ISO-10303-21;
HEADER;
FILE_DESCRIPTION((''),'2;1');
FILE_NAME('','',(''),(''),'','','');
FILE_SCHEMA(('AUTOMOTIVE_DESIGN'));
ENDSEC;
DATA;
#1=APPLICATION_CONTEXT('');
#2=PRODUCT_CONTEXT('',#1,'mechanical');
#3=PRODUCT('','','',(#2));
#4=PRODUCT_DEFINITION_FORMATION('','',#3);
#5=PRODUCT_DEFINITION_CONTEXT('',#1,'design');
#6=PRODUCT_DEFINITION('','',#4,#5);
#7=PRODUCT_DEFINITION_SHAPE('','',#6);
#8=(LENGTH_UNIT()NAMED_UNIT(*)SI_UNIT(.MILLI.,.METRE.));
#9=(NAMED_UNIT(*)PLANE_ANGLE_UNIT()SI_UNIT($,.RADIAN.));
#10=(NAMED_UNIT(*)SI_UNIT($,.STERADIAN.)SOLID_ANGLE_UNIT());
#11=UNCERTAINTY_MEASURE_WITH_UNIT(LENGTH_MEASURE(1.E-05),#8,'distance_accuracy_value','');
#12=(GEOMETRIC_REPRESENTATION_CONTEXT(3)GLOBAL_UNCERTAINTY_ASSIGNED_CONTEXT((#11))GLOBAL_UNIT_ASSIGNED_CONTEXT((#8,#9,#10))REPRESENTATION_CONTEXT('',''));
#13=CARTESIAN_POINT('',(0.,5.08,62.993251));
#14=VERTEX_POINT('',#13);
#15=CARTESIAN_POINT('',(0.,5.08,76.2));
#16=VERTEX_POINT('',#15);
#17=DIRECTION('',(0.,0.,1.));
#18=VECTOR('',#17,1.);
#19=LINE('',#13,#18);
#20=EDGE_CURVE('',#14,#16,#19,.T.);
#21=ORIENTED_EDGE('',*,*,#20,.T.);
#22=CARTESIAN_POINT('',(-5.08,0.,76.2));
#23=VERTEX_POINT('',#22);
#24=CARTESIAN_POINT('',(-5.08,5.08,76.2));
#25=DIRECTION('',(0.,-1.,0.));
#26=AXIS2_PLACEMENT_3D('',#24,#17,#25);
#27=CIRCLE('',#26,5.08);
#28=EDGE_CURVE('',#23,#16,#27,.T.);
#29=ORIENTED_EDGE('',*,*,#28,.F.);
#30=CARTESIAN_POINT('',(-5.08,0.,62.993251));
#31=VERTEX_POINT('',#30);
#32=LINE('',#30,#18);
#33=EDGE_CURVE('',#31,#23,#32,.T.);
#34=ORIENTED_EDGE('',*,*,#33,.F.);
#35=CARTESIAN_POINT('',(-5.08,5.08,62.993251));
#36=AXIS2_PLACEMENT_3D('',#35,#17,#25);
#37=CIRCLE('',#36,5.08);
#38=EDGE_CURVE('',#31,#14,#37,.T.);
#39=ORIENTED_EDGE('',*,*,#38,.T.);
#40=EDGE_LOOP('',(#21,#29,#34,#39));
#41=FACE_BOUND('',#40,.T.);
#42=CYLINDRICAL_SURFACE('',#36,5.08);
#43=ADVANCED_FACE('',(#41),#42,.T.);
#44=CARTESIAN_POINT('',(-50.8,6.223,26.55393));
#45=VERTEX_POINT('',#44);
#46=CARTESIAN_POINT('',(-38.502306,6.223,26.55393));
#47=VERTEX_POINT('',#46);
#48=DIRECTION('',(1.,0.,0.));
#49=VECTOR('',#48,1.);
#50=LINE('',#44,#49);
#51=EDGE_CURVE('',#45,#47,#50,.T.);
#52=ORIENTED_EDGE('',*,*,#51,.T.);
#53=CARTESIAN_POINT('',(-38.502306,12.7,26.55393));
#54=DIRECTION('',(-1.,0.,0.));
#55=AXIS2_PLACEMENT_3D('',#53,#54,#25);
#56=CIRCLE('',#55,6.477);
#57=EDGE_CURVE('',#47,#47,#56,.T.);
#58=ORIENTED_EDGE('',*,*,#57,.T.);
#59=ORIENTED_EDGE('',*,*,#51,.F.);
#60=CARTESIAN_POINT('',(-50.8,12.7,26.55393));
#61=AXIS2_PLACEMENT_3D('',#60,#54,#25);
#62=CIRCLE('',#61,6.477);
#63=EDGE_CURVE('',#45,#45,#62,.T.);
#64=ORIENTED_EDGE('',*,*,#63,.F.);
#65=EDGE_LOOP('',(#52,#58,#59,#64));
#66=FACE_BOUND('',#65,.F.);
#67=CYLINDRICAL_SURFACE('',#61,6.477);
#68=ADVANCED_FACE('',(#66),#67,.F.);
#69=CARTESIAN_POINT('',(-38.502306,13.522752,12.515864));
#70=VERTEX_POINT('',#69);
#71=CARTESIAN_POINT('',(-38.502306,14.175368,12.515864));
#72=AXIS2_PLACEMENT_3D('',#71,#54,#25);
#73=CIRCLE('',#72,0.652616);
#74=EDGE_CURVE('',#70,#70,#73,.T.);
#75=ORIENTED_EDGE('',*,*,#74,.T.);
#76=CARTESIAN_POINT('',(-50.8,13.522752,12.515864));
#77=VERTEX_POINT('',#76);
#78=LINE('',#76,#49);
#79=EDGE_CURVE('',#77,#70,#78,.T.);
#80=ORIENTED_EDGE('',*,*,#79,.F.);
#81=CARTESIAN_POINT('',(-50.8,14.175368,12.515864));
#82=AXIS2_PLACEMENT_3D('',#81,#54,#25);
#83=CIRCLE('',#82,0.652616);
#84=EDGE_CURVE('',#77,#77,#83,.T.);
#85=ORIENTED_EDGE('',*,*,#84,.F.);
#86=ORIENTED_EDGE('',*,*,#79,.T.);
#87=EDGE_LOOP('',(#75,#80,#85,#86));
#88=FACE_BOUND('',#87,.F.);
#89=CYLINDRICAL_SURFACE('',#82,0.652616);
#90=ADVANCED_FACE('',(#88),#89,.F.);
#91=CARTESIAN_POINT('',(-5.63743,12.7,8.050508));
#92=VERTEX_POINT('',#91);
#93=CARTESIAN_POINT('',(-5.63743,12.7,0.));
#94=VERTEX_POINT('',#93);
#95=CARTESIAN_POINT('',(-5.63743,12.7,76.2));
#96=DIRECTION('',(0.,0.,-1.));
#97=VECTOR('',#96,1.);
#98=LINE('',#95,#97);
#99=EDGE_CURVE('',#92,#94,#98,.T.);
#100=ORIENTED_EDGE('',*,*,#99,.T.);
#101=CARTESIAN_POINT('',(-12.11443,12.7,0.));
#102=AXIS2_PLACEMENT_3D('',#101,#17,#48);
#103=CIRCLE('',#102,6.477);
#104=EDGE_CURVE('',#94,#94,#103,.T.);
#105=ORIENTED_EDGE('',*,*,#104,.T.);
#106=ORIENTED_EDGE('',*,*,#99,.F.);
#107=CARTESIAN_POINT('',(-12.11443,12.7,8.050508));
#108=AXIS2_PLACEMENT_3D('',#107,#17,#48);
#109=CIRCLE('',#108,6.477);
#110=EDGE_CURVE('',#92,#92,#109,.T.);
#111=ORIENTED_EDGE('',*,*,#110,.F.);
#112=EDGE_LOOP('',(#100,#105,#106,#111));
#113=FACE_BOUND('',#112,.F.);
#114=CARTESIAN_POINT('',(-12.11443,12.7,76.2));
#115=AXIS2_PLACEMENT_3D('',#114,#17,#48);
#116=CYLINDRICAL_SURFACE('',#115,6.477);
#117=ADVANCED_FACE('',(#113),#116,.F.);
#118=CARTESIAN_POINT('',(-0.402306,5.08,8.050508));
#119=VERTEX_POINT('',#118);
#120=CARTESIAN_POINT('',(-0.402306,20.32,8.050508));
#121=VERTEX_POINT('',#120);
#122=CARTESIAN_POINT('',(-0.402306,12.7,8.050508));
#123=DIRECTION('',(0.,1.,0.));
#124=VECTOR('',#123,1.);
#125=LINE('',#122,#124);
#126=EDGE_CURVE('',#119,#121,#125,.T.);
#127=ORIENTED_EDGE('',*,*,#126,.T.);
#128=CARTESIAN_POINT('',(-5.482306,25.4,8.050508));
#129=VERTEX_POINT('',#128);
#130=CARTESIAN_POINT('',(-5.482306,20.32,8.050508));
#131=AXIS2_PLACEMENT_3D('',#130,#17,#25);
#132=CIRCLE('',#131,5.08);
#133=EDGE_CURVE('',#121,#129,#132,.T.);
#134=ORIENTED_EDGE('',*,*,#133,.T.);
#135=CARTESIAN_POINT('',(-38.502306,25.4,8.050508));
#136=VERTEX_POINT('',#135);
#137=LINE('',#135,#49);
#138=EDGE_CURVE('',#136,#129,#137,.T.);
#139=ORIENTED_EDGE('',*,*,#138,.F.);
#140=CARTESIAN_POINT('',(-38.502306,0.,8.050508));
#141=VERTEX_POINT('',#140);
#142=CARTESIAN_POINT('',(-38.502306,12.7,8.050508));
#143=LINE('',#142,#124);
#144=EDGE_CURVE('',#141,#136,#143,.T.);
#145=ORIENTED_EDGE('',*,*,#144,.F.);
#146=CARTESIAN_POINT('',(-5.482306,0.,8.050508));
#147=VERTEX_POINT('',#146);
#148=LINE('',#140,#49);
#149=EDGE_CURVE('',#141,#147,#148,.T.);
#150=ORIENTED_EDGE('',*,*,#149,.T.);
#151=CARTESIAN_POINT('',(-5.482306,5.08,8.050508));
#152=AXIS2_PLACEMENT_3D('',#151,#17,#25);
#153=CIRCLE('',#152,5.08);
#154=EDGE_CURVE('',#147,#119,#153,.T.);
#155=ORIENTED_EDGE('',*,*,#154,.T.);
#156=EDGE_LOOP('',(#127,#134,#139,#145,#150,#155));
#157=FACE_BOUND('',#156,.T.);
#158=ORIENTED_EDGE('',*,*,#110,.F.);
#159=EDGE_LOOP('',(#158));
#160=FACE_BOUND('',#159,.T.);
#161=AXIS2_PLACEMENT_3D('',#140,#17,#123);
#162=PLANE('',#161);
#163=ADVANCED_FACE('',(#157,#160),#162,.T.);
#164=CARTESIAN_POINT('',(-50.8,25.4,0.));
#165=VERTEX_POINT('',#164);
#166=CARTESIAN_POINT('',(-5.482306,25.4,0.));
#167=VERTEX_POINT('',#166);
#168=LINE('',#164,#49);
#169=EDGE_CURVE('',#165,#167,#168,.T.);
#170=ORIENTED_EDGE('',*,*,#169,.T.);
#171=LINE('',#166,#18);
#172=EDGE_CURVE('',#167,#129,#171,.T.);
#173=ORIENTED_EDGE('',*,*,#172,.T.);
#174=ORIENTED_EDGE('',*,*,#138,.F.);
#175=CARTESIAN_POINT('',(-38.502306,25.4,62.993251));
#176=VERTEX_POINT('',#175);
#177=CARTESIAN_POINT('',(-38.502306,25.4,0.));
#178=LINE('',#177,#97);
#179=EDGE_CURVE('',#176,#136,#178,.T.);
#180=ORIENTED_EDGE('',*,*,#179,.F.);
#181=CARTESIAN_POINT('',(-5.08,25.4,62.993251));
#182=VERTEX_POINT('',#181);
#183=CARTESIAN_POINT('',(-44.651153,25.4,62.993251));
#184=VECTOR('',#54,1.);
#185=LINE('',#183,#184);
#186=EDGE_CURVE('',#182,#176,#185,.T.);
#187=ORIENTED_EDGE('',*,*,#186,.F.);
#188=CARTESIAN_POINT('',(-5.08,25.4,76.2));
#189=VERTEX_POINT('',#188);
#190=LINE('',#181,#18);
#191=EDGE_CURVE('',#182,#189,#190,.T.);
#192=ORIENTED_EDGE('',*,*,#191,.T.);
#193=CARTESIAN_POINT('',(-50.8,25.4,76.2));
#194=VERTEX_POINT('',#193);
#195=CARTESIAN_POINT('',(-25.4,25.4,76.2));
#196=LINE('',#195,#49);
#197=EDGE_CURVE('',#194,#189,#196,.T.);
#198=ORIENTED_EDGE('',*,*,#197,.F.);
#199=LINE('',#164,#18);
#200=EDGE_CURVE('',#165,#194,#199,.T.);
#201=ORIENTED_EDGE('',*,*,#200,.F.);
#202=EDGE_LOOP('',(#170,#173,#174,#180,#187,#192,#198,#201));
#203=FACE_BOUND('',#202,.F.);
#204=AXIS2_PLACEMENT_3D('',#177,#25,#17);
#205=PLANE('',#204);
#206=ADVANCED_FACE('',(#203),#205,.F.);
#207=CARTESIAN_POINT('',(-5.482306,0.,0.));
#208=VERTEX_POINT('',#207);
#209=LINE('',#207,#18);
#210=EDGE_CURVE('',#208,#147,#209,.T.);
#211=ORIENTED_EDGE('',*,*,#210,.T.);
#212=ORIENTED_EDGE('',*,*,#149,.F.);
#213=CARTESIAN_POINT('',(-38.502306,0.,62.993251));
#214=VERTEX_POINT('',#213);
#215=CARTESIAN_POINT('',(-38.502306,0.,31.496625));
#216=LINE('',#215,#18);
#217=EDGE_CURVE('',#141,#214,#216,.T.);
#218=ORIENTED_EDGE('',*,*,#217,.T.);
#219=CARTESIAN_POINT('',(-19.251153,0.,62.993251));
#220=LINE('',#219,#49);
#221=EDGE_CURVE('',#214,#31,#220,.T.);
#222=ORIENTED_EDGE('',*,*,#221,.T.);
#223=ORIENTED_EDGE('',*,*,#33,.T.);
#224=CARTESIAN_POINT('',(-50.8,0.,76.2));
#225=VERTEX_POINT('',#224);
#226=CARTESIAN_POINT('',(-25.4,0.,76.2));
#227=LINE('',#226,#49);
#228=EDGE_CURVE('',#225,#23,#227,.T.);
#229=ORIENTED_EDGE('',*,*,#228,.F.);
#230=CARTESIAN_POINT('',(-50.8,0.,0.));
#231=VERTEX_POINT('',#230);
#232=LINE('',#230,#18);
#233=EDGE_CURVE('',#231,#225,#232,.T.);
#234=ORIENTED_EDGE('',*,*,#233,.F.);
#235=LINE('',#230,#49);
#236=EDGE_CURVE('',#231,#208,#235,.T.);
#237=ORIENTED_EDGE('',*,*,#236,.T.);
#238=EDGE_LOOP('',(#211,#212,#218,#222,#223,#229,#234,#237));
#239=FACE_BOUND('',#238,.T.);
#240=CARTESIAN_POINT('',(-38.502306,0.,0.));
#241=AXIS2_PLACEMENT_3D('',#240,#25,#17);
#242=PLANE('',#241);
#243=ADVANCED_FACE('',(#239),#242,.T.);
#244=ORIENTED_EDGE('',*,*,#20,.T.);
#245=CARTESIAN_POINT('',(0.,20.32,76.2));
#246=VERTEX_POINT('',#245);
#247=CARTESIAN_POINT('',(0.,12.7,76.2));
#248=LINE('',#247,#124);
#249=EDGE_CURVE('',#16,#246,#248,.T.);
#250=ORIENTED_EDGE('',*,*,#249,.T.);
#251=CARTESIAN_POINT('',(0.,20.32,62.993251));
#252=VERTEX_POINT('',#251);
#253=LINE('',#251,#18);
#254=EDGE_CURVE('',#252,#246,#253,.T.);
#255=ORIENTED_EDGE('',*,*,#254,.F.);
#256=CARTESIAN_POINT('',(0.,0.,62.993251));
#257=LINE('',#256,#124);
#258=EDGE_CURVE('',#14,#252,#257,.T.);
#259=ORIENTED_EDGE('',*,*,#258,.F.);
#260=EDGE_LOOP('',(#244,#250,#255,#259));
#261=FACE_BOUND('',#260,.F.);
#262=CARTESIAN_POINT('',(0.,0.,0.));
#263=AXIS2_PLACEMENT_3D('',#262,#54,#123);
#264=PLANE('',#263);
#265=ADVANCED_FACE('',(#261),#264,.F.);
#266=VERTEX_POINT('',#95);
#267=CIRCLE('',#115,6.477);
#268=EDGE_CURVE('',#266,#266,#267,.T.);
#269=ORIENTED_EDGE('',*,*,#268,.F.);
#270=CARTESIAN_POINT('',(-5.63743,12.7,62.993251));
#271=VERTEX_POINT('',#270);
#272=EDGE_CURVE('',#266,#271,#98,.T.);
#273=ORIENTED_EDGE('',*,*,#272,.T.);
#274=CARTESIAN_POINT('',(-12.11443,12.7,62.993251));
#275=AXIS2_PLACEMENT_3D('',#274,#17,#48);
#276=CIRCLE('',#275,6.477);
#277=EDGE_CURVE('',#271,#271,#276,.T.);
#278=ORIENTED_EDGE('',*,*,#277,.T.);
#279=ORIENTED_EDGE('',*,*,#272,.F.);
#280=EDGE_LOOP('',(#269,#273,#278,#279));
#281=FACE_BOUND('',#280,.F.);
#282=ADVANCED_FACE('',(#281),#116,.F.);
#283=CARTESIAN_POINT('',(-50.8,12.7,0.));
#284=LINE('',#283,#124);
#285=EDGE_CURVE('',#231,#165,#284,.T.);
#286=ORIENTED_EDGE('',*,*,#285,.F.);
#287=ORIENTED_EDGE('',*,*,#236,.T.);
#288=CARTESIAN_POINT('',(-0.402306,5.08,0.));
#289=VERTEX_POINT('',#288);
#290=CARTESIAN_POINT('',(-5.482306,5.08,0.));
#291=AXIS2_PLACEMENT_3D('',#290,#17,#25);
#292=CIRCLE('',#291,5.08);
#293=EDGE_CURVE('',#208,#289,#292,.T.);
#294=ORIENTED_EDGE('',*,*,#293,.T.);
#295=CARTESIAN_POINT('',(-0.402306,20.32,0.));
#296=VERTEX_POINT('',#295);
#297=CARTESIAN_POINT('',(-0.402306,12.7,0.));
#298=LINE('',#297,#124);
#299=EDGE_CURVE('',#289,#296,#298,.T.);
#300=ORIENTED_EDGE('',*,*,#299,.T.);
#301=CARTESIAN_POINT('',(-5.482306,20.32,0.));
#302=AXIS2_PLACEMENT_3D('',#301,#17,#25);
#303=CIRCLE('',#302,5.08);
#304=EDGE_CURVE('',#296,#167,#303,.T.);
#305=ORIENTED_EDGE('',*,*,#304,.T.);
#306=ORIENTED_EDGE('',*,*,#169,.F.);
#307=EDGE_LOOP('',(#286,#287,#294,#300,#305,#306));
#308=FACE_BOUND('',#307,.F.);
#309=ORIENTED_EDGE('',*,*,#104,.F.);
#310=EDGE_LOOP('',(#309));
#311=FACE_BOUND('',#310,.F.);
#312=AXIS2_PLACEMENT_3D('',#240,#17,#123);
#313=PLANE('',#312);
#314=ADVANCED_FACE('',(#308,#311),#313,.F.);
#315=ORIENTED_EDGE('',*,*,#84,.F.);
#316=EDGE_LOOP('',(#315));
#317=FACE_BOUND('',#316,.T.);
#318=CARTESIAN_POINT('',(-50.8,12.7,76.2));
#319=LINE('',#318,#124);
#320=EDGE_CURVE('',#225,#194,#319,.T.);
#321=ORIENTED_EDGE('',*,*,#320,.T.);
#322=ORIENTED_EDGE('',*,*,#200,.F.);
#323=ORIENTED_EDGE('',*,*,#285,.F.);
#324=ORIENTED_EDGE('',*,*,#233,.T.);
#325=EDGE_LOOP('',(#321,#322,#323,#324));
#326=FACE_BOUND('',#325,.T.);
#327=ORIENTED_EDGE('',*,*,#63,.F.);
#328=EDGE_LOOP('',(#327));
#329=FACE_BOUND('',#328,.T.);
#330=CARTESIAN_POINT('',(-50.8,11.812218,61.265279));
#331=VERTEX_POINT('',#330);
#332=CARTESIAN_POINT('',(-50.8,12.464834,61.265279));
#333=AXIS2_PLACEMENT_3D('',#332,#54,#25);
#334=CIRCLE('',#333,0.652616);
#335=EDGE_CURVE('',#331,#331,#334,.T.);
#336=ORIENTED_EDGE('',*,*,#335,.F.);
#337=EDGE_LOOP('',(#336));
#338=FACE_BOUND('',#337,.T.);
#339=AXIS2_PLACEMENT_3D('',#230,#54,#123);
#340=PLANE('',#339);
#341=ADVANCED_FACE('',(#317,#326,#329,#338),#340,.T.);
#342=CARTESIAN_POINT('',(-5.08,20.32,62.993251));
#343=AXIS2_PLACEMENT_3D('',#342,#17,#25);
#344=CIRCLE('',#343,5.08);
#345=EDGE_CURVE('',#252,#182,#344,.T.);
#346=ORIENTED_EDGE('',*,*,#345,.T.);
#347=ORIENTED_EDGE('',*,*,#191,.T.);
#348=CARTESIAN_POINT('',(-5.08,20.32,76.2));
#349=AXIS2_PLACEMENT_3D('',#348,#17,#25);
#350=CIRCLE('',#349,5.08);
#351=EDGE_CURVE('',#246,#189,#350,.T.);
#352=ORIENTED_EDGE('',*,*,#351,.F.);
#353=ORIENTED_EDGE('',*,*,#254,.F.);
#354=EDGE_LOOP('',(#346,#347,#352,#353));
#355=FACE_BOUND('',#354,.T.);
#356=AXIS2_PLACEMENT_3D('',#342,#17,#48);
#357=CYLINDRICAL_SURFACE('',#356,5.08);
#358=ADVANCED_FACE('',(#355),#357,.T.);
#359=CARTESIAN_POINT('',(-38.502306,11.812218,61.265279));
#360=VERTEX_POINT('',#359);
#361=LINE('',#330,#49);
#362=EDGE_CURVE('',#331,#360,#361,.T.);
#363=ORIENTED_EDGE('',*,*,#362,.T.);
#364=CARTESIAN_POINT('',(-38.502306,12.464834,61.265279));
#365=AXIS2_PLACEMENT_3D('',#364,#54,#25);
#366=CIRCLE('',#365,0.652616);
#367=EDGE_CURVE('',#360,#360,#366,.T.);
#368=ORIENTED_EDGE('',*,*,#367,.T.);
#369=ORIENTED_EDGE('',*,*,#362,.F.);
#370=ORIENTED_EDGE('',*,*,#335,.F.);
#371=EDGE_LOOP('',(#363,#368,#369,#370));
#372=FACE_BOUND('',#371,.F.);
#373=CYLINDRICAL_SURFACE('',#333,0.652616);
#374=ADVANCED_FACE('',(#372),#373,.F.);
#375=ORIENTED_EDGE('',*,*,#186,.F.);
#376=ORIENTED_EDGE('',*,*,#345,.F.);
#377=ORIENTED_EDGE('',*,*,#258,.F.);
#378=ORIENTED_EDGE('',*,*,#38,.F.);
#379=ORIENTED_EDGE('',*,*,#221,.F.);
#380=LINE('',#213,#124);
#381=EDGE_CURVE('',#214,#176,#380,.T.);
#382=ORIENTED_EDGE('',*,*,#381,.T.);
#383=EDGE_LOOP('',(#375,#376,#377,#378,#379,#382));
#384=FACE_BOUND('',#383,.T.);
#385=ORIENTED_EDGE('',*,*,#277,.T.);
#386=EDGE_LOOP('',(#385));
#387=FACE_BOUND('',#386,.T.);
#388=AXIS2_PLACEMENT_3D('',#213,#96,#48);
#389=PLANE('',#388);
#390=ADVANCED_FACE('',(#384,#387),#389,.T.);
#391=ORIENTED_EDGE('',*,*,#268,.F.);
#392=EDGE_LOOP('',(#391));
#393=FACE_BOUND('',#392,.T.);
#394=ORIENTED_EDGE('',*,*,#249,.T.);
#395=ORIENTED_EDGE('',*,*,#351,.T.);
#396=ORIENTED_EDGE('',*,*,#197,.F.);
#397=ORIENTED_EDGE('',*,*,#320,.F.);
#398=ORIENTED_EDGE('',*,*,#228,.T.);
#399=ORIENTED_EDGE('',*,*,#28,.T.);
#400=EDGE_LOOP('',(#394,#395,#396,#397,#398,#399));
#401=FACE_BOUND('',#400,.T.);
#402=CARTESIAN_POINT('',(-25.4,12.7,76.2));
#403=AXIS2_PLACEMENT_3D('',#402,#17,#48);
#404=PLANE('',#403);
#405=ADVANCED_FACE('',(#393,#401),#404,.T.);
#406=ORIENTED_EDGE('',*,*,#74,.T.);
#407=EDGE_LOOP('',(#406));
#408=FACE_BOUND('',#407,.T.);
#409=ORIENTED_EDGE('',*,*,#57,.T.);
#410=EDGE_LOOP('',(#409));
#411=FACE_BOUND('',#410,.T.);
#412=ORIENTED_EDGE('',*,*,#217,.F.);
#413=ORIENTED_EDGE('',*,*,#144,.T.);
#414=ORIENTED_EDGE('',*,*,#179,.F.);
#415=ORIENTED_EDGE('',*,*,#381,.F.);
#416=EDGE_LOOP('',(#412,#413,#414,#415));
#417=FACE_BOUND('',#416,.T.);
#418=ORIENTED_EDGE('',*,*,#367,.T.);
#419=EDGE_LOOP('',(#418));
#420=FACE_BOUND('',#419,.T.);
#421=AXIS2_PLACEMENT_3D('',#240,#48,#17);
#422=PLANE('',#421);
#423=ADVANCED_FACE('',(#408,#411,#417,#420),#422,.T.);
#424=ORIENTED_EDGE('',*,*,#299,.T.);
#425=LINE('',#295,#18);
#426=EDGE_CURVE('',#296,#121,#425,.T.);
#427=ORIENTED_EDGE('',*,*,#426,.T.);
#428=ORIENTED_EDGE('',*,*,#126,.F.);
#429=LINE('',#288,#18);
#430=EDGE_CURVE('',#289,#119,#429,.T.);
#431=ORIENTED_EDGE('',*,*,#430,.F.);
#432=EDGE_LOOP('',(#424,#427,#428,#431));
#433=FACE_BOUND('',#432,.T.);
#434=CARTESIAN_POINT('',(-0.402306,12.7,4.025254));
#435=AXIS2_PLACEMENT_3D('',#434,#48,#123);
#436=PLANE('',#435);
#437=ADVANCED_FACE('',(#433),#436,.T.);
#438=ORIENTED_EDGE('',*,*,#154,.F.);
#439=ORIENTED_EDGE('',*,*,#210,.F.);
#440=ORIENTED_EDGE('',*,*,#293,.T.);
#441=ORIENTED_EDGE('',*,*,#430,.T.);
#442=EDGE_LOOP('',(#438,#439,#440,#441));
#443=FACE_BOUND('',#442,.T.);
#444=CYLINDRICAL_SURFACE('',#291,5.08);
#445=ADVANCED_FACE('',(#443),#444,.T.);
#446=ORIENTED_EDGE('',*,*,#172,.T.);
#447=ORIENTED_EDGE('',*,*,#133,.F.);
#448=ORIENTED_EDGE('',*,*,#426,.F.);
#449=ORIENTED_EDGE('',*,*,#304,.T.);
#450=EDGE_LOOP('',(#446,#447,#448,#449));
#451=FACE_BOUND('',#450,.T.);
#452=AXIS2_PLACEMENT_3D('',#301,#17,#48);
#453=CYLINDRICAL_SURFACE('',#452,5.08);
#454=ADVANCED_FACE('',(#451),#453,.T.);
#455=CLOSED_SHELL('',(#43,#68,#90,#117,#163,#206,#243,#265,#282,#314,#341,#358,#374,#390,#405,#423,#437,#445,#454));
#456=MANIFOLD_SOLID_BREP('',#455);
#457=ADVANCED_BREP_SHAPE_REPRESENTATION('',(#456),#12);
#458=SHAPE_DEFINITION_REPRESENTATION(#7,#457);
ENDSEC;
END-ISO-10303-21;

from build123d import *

# Parameters (mm, degrees)
F0_W      = 50.8
F0_H      = 25.4
F1_DEPTH  = 76.2
F2_W      = 38.502306
F2_H      = 62.993251
F3_DEPTH  = 50.8
F5_R      = 6.477
F6_DEPTH  = 25.4
F7_W      = 25.4
F7_H      = 8.050508
F8_DEPTH  = 38.1
F4_R      = 6.477
F9_DEPTH  = 101.6
F10_R     = 5.08
F11_R     = 0.652616
F12_DEPTH = 25.4


with BuildPart() as f1:
    # F0 (on Top) → F1 (new body)
    with BuildSketch(Plane.XY):
        with Locations((-25.4, 12.7)):
            Rectangle(F0_W, F0_H)
    extrude(amount=F1_DEPTH)

    # F2 (on face) → F3 (cut)
    with BuildSketch(Plane.XZ):
        with Locations((-19.251153, 31.496625)):
            Rectangle(F2_W, F2_H)
    extrude(amount=-F3_DEPTH, mode=Mode.SUBTRACT)

    # F5 (on face) → F6 (cut)
    with BuildSketch(Plane(origin=(-50.8, 0, 0), x_dir=(0, -1, 0), z_dir=(-1, 0, 0))):
        with Locations((-12.7, 26.55393)):
            Circle(F5_R)
    extrude(amount=-F6_DEPTH, mode=Mode.SUBTRACT)

    # F7 (on face) → F8 (join)
    with BuildSketch(Plane.YZ.offset(-38.502306)):
        with Locations((12.7, 4.025254)):
            Rectangle(F7_W, F7_H)
    extrude(amount=F8_DEPTH)

    # F4 (on face) → F9 (cut)
    with BuildSketch(Plane.XY.offset(76.2)):
        with Locations((-12.11443, 12.7)):
            Circle(F4_R)
    extrude(amount=-F9_DEPTH, mode=Mode.SUBTRACT)

    # F10
    f10_edges = [f1.edges().sort_by_distance(p)[0] for p in [
        (0, 0, 69.596625),
        (-0.402306, 0, 4.025254),
        (-0.402306, 25.4, 4.025254),
        (0, 25.4, 69.596625),
    ]]
    fillet(f10_edges, radius=F10_R)

    # F11 (on face) → F12 (cut)
    with BuildSketch(Plane(origin=(-50.8, 0, 0), x_dir=(0, -1, 0), z_dir=(-1, 0, 0))):
        with Locations((-12.464834, 61.265279)):
            Circle(F11_R)
        with Locations((-14.175368, 12.515864)):
            Circle(F11_R)
    extrude(amount=-F12_DEPTH, mode=Mode.SUBTRACT)


solid = f1.part
